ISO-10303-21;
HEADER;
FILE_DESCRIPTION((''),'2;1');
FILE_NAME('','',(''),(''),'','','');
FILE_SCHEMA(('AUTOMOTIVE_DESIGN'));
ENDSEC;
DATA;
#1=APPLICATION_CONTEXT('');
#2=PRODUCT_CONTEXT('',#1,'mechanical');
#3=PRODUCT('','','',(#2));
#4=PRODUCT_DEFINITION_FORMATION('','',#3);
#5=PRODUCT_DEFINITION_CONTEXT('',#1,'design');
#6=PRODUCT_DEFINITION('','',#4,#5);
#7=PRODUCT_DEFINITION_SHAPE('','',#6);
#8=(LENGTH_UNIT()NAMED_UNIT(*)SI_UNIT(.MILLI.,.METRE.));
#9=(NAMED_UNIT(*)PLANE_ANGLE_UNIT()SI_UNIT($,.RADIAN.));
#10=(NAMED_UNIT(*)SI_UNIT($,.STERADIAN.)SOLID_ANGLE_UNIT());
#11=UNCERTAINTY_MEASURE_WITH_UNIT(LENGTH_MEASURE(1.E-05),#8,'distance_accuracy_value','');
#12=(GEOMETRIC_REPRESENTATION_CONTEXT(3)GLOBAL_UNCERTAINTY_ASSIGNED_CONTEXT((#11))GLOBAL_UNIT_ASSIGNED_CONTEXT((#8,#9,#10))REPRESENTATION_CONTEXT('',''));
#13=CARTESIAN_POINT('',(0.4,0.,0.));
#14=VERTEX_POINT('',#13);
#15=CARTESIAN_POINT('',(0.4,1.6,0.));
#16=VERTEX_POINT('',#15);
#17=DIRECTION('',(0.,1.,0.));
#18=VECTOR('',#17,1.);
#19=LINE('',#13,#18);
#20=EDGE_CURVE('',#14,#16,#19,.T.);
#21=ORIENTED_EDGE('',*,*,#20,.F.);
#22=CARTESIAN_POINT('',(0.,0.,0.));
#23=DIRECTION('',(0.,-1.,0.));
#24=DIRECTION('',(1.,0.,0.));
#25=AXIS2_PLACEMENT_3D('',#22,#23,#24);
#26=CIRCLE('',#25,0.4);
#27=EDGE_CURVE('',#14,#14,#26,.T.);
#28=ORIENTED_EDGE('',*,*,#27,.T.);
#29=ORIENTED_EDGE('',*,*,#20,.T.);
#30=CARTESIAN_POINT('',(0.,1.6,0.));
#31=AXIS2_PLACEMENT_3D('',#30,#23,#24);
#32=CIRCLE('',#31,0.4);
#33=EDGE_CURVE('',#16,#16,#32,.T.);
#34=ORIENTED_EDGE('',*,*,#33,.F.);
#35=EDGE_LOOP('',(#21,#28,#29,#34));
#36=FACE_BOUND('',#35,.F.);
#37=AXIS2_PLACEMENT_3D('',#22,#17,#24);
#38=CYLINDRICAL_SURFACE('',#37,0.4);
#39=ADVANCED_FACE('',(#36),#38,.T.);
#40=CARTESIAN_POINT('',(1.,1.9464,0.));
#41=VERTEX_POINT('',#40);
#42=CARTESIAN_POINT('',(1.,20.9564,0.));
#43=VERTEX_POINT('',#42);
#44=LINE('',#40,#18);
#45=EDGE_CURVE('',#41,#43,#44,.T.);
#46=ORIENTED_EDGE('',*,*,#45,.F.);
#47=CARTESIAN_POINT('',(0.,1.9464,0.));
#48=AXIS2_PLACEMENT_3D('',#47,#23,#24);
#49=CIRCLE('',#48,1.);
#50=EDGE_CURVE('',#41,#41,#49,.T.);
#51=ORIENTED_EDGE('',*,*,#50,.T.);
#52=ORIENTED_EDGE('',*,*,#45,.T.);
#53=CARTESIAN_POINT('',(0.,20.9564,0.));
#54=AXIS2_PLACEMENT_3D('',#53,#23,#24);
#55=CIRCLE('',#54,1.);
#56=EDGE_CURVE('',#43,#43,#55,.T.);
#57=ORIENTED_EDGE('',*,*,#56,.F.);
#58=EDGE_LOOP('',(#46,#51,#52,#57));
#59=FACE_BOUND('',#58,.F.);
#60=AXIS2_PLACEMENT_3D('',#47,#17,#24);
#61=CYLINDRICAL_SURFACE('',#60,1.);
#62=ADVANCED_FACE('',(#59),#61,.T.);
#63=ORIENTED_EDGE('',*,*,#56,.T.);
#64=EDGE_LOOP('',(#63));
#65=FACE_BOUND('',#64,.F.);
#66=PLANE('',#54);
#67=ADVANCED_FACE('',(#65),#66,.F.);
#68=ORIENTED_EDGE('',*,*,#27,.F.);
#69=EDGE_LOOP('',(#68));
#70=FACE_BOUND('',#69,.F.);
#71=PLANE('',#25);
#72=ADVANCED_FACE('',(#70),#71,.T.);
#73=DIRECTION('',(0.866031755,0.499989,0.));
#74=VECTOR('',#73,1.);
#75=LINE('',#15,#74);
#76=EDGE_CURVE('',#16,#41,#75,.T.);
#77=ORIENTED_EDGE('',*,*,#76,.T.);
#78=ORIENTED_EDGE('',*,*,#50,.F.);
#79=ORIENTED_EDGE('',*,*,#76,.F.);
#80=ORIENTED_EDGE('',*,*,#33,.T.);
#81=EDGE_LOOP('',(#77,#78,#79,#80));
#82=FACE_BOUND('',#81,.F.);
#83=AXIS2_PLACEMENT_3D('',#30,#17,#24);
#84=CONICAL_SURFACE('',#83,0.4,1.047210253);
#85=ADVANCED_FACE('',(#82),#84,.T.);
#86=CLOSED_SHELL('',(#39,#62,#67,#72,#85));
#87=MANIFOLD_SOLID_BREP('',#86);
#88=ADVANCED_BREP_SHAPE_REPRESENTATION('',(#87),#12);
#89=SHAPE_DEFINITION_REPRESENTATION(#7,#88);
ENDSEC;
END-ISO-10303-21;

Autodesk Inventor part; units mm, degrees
ref_plane "YZ Plane" through (0, 0, 0) normal (1, 0, 0) x (0, 1, 0)
ref_plane "XZ Plane" through (0, 0, 0) normal (0, 1, 0) x (-1, 0, 0)
ref_plane "XY Plane" through (0, 0, 0) normal (0, 0, 1) x (1, 0, 0)
sketch "Boceto1" plane through (0, 0, 0) normal (0, 0, 1) x (1, 0, 0)
  line L0 (0.4, 0) -> (0.4, 1.6)
  line L1 (0.4, 1.6) -> (1, 1.9464)
  line L2 (1, 1.9464) -> (1, 20.9564)
  line L3 (-0.2, 0) -> (1.2, 0) projected
  line L4 (1, 20.9564) -> (0, 20.9564)
  line L5 (0, 0) -> (0.4, 0)
  line L6 (0, 20.9564) -> (0, 0)
  dimension "d1" = 0.4
  dimension "d2" = 1.6
  dimension "d4" = 19.01
  dimension "d8" = 60
  dimension "d9" = 1
revolve "Revolución1" add sketch "Boceto1" angle 360 about axis through (0, 20.9564, 0) along (0, -1, 0)
equation "\"d1\" = 0.5 * Dc"
equation "\"d2\" = Lc"
equation "\"d4\" = Ln"
equation "\"d8\" = alfa"
equation "\"d9\" = 0.5 * Do"
equation "\"Dc\" = 0.8"
equation "\"Lc\" = 1.6"
equation "\"Ln\" = 19.01"
equation "\"Do\" = 2"
equation "\"alfa\" = 60deg"
properties part number "Boquilla0.8"
